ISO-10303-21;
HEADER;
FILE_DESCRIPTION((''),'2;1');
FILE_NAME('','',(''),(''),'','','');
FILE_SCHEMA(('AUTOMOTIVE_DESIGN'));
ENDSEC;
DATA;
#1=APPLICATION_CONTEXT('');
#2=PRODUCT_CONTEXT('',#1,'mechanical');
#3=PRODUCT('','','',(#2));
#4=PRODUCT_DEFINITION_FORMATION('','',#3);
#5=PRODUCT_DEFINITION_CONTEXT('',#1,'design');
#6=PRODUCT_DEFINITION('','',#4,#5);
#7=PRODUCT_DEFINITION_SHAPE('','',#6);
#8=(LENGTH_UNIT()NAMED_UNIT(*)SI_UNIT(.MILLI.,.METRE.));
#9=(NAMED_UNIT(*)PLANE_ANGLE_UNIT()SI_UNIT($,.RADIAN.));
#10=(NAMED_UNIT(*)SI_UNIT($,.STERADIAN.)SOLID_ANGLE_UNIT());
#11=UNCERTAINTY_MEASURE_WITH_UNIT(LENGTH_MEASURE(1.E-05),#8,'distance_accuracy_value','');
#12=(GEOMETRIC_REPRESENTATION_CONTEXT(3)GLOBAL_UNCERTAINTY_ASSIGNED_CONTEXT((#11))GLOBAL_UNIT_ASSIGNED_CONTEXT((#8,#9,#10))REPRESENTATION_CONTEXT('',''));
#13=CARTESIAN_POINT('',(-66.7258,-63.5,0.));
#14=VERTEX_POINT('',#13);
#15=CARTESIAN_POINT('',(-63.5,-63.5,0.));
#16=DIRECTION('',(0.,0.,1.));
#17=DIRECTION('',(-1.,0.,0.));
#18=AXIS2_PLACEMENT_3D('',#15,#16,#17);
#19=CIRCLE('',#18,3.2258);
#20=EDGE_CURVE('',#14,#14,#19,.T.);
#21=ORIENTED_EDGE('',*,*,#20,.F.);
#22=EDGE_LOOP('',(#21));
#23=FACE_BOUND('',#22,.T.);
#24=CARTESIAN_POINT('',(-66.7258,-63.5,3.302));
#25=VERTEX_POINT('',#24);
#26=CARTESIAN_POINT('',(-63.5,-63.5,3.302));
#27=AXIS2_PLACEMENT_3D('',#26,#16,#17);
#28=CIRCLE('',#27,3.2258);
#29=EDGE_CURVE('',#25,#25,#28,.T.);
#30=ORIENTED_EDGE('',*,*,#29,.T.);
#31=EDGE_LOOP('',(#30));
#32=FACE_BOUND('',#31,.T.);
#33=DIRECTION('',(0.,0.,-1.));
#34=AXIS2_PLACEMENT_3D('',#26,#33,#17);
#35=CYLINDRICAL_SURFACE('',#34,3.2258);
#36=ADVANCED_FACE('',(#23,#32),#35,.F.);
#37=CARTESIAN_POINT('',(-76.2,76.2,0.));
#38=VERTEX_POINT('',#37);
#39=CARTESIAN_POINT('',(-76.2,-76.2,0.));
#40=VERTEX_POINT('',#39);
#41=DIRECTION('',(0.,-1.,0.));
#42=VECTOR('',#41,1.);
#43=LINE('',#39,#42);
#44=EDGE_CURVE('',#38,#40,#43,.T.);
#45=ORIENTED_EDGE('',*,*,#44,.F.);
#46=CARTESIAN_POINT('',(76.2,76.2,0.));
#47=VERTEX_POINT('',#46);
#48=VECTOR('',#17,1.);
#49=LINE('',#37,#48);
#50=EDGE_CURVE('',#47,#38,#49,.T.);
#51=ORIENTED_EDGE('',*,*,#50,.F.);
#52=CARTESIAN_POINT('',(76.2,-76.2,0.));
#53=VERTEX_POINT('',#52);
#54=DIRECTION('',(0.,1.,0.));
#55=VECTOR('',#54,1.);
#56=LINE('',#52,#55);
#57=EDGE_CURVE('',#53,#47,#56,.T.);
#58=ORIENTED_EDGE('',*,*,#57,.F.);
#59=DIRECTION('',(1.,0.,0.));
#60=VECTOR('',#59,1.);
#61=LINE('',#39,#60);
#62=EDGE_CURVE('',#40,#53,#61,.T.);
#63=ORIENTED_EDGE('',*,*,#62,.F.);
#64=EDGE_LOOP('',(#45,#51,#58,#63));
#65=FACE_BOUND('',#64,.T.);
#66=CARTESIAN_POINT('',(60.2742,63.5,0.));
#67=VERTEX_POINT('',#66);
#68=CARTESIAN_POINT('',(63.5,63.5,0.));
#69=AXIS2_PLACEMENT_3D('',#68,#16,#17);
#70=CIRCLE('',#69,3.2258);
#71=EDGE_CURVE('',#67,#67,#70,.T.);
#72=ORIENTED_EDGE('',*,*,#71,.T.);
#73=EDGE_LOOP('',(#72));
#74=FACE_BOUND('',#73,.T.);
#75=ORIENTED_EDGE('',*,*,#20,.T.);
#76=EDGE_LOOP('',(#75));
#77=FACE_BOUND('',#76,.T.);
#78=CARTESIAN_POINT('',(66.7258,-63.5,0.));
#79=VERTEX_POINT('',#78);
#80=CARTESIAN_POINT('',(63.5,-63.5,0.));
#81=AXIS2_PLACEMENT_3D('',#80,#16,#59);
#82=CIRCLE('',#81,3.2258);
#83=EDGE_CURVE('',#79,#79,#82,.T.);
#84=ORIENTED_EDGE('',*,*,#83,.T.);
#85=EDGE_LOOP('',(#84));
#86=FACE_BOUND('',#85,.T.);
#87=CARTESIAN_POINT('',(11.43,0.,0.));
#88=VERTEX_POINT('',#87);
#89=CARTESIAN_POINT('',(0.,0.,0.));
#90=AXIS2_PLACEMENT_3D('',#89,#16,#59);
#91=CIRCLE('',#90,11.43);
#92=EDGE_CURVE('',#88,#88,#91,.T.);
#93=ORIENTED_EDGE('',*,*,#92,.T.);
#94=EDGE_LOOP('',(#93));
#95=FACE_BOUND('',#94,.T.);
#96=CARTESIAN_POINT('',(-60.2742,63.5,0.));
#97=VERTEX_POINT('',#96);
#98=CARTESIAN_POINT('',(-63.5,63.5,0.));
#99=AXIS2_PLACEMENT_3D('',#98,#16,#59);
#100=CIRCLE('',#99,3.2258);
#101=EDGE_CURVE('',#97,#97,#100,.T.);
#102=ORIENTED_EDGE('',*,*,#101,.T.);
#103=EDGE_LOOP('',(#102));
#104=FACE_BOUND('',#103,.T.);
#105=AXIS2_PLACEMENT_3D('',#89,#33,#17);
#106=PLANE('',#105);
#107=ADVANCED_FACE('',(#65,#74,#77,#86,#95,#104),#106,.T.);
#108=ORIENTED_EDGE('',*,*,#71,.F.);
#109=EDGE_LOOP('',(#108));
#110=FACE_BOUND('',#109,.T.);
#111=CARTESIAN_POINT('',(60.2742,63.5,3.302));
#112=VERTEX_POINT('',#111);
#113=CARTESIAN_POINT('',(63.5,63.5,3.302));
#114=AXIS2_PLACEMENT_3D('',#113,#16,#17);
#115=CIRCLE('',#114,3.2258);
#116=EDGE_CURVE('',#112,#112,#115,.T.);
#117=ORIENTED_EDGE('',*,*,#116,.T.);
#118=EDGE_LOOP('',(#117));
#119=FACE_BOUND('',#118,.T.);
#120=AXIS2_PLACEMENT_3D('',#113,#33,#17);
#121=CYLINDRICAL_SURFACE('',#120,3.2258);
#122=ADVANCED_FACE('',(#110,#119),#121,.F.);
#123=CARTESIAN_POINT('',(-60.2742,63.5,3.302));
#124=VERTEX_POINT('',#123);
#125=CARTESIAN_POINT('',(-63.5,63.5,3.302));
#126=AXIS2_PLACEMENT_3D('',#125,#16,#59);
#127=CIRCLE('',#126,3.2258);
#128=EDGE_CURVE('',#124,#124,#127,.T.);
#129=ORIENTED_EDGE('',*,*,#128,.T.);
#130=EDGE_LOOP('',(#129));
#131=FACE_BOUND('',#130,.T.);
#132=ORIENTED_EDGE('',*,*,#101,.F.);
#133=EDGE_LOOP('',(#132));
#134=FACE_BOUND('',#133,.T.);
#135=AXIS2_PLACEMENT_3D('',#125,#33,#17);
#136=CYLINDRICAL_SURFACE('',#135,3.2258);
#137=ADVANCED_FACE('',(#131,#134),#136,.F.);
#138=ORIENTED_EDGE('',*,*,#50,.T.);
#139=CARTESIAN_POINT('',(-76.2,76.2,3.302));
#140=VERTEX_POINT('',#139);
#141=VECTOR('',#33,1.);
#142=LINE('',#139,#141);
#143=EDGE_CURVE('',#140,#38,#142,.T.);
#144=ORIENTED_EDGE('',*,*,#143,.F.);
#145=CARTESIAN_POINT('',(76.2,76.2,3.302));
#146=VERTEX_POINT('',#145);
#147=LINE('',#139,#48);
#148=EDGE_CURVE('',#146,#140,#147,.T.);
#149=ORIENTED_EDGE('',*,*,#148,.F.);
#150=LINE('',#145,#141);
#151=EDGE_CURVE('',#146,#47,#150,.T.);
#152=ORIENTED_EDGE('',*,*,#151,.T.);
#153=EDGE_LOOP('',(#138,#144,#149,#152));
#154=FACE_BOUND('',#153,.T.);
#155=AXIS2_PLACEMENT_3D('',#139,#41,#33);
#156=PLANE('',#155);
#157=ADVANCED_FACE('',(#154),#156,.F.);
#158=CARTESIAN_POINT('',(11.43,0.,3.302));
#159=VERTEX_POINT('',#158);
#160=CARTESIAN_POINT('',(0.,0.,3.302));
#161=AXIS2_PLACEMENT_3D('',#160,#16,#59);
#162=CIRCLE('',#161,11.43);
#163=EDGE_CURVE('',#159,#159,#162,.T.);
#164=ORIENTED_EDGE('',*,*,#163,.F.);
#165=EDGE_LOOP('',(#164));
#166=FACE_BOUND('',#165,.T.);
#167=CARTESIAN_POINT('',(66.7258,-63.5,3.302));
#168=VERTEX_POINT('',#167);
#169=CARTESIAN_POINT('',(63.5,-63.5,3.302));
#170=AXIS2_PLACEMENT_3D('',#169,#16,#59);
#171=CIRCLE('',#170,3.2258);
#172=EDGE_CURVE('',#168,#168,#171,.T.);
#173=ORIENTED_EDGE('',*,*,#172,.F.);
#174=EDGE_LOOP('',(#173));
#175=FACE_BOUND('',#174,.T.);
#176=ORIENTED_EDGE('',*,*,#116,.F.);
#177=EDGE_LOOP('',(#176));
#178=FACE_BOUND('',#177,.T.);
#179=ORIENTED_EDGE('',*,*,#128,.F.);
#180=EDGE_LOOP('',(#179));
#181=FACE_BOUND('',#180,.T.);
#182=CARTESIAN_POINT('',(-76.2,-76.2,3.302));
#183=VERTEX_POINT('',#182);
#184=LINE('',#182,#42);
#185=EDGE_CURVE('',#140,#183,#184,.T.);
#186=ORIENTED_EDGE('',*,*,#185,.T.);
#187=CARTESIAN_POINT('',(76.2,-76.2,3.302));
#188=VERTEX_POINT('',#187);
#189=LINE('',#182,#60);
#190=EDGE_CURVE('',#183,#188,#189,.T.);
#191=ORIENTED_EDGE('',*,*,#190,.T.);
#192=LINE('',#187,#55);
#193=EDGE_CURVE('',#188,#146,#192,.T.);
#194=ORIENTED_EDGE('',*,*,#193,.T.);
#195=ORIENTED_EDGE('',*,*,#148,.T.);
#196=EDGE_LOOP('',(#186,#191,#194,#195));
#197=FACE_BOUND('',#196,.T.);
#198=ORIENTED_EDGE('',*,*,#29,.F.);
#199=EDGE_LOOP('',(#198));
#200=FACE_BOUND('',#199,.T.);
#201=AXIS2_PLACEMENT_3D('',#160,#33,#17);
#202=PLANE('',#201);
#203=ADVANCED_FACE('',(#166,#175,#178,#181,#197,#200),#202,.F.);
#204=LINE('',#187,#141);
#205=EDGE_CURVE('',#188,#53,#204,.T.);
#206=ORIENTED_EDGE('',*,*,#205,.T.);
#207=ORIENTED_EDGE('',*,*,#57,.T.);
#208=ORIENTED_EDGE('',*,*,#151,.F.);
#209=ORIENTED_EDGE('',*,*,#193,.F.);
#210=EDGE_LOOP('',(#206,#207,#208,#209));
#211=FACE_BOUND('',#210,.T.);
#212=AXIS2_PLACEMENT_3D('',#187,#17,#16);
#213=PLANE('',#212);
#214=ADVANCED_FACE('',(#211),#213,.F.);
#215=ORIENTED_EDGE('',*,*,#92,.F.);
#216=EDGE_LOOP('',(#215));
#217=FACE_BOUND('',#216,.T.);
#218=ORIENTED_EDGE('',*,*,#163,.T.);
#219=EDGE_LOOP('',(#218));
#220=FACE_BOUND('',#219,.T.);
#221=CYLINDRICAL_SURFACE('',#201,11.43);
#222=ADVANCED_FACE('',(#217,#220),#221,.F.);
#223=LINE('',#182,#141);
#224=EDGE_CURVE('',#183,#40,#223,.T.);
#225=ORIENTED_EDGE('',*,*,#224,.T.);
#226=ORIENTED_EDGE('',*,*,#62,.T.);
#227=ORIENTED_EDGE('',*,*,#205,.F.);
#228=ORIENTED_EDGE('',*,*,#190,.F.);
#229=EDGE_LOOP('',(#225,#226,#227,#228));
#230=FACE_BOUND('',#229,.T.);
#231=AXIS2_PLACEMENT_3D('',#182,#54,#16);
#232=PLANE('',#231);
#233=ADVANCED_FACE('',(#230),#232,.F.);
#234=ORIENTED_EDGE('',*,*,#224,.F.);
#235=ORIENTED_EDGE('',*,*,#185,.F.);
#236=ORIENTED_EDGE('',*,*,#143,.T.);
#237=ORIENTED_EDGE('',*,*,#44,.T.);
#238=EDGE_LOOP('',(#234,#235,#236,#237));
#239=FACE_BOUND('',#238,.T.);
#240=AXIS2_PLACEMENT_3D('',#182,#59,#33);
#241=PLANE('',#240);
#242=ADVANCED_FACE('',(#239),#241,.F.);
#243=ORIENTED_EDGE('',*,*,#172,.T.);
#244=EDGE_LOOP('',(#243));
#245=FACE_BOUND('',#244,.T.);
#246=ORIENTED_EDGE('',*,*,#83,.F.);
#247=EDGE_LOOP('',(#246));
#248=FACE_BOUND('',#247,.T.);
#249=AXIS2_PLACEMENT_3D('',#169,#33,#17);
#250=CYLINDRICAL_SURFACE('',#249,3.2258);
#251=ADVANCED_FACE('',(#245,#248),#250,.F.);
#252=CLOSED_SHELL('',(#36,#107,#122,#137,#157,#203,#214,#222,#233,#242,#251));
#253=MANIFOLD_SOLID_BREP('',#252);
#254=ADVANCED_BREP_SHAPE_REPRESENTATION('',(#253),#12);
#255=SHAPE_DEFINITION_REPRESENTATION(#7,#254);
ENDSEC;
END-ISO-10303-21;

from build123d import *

# Parameters (mm, degrees)
SKETCH1_W           = 152.4
SKETCH1_H           = 152.4
SKETCH1_R           = 11.43
SKETCH1_R_2         = 3.2258
BOSS_EXTRUDE1_DEPTH = 3.302


with BuildPart() as part:
    # Sketch1 → Boss-Extrude1 (new body)
    with BuildSketch(Plane.XY):
        Rectangle(SKETCH1_W, SKETCH1_H)
        Circle(SKETCH1_R, mode=Mode.SUBTRACT)
        with Locations((-63.5, 63.5)):
            Circle(SKETCH1_R_2, mode=Mode.SUBTRACT)
        with Locations((63.5, 63.5)):
            Circle(SKETCH1_R_2, mode=Mode.SUBTRACT)
        with Locations((63.5, -63.5)):
            Circle(SKETCH1_R_2, mode=Mode.SUBTRACT)
        with Locations((-63.5, -63.5)):
            Circle(SKETCH1_R_2, mode=Mode.SUBTRACT)
    extrude(amount=BOSS_EXTRUDE1_DEPTH)


solid = part.part
